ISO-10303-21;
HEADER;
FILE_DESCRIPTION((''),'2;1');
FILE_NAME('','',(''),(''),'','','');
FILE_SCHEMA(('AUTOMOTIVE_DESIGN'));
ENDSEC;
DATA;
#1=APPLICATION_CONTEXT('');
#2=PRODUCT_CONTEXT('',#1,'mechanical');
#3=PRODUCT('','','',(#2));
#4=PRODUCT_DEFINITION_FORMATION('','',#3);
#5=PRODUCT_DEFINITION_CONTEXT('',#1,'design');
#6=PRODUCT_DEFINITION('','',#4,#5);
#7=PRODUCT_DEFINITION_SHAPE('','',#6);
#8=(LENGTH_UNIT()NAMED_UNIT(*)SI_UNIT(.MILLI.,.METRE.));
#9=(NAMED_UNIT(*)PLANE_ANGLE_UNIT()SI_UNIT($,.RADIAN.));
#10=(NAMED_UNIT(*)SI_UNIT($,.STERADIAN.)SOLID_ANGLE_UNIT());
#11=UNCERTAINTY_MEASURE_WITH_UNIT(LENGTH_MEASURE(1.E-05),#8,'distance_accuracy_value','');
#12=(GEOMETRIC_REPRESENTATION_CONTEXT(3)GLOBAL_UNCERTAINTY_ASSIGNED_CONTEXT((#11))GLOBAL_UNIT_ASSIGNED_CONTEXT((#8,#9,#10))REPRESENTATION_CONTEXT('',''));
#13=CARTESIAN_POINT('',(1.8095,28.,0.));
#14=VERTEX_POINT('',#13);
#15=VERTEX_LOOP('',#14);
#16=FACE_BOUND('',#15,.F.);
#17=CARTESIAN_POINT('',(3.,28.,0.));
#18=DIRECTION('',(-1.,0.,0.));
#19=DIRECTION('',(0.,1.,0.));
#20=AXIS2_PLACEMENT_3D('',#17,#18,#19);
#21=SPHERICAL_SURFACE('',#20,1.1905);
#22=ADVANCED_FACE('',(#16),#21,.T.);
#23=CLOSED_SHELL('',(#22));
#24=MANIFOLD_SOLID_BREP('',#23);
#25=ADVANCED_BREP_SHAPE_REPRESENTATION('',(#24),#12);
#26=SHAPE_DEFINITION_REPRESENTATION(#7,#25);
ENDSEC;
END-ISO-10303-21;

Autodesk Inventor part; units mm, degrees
sketch "Sketch_6" plane through (0, 0, 0) normal (0, 0, 1) x (1, 0, 0)
  line L0 (4.1905, 28) -> (1.8095, 28)
  arc A0 (4.1905, 28) -> (1.8095, 28) centre (3, 28) ccw
  line L1 (4.1905, 28) -> (1.8095, 28)
revolve "Revolution1" add sketch "Sketch_6" angle 360 about axis through (4.1905, 28, 0) along (1, 0, 0)
ref_plane "ball1_XY" through (3, 28, 0) normal (1, 0, 0) x (0, 0, -1)
ref_plane "ball1_YZ" through (3, 28, 0) normal (0, 0, -1) x (0, 1, 0)
ref_plane "ball1_ZX" through (3, 28, 0) normal (0, 1, 0) x (1, 0, 0)
properties part number "SKF_W 61710_ball1"
